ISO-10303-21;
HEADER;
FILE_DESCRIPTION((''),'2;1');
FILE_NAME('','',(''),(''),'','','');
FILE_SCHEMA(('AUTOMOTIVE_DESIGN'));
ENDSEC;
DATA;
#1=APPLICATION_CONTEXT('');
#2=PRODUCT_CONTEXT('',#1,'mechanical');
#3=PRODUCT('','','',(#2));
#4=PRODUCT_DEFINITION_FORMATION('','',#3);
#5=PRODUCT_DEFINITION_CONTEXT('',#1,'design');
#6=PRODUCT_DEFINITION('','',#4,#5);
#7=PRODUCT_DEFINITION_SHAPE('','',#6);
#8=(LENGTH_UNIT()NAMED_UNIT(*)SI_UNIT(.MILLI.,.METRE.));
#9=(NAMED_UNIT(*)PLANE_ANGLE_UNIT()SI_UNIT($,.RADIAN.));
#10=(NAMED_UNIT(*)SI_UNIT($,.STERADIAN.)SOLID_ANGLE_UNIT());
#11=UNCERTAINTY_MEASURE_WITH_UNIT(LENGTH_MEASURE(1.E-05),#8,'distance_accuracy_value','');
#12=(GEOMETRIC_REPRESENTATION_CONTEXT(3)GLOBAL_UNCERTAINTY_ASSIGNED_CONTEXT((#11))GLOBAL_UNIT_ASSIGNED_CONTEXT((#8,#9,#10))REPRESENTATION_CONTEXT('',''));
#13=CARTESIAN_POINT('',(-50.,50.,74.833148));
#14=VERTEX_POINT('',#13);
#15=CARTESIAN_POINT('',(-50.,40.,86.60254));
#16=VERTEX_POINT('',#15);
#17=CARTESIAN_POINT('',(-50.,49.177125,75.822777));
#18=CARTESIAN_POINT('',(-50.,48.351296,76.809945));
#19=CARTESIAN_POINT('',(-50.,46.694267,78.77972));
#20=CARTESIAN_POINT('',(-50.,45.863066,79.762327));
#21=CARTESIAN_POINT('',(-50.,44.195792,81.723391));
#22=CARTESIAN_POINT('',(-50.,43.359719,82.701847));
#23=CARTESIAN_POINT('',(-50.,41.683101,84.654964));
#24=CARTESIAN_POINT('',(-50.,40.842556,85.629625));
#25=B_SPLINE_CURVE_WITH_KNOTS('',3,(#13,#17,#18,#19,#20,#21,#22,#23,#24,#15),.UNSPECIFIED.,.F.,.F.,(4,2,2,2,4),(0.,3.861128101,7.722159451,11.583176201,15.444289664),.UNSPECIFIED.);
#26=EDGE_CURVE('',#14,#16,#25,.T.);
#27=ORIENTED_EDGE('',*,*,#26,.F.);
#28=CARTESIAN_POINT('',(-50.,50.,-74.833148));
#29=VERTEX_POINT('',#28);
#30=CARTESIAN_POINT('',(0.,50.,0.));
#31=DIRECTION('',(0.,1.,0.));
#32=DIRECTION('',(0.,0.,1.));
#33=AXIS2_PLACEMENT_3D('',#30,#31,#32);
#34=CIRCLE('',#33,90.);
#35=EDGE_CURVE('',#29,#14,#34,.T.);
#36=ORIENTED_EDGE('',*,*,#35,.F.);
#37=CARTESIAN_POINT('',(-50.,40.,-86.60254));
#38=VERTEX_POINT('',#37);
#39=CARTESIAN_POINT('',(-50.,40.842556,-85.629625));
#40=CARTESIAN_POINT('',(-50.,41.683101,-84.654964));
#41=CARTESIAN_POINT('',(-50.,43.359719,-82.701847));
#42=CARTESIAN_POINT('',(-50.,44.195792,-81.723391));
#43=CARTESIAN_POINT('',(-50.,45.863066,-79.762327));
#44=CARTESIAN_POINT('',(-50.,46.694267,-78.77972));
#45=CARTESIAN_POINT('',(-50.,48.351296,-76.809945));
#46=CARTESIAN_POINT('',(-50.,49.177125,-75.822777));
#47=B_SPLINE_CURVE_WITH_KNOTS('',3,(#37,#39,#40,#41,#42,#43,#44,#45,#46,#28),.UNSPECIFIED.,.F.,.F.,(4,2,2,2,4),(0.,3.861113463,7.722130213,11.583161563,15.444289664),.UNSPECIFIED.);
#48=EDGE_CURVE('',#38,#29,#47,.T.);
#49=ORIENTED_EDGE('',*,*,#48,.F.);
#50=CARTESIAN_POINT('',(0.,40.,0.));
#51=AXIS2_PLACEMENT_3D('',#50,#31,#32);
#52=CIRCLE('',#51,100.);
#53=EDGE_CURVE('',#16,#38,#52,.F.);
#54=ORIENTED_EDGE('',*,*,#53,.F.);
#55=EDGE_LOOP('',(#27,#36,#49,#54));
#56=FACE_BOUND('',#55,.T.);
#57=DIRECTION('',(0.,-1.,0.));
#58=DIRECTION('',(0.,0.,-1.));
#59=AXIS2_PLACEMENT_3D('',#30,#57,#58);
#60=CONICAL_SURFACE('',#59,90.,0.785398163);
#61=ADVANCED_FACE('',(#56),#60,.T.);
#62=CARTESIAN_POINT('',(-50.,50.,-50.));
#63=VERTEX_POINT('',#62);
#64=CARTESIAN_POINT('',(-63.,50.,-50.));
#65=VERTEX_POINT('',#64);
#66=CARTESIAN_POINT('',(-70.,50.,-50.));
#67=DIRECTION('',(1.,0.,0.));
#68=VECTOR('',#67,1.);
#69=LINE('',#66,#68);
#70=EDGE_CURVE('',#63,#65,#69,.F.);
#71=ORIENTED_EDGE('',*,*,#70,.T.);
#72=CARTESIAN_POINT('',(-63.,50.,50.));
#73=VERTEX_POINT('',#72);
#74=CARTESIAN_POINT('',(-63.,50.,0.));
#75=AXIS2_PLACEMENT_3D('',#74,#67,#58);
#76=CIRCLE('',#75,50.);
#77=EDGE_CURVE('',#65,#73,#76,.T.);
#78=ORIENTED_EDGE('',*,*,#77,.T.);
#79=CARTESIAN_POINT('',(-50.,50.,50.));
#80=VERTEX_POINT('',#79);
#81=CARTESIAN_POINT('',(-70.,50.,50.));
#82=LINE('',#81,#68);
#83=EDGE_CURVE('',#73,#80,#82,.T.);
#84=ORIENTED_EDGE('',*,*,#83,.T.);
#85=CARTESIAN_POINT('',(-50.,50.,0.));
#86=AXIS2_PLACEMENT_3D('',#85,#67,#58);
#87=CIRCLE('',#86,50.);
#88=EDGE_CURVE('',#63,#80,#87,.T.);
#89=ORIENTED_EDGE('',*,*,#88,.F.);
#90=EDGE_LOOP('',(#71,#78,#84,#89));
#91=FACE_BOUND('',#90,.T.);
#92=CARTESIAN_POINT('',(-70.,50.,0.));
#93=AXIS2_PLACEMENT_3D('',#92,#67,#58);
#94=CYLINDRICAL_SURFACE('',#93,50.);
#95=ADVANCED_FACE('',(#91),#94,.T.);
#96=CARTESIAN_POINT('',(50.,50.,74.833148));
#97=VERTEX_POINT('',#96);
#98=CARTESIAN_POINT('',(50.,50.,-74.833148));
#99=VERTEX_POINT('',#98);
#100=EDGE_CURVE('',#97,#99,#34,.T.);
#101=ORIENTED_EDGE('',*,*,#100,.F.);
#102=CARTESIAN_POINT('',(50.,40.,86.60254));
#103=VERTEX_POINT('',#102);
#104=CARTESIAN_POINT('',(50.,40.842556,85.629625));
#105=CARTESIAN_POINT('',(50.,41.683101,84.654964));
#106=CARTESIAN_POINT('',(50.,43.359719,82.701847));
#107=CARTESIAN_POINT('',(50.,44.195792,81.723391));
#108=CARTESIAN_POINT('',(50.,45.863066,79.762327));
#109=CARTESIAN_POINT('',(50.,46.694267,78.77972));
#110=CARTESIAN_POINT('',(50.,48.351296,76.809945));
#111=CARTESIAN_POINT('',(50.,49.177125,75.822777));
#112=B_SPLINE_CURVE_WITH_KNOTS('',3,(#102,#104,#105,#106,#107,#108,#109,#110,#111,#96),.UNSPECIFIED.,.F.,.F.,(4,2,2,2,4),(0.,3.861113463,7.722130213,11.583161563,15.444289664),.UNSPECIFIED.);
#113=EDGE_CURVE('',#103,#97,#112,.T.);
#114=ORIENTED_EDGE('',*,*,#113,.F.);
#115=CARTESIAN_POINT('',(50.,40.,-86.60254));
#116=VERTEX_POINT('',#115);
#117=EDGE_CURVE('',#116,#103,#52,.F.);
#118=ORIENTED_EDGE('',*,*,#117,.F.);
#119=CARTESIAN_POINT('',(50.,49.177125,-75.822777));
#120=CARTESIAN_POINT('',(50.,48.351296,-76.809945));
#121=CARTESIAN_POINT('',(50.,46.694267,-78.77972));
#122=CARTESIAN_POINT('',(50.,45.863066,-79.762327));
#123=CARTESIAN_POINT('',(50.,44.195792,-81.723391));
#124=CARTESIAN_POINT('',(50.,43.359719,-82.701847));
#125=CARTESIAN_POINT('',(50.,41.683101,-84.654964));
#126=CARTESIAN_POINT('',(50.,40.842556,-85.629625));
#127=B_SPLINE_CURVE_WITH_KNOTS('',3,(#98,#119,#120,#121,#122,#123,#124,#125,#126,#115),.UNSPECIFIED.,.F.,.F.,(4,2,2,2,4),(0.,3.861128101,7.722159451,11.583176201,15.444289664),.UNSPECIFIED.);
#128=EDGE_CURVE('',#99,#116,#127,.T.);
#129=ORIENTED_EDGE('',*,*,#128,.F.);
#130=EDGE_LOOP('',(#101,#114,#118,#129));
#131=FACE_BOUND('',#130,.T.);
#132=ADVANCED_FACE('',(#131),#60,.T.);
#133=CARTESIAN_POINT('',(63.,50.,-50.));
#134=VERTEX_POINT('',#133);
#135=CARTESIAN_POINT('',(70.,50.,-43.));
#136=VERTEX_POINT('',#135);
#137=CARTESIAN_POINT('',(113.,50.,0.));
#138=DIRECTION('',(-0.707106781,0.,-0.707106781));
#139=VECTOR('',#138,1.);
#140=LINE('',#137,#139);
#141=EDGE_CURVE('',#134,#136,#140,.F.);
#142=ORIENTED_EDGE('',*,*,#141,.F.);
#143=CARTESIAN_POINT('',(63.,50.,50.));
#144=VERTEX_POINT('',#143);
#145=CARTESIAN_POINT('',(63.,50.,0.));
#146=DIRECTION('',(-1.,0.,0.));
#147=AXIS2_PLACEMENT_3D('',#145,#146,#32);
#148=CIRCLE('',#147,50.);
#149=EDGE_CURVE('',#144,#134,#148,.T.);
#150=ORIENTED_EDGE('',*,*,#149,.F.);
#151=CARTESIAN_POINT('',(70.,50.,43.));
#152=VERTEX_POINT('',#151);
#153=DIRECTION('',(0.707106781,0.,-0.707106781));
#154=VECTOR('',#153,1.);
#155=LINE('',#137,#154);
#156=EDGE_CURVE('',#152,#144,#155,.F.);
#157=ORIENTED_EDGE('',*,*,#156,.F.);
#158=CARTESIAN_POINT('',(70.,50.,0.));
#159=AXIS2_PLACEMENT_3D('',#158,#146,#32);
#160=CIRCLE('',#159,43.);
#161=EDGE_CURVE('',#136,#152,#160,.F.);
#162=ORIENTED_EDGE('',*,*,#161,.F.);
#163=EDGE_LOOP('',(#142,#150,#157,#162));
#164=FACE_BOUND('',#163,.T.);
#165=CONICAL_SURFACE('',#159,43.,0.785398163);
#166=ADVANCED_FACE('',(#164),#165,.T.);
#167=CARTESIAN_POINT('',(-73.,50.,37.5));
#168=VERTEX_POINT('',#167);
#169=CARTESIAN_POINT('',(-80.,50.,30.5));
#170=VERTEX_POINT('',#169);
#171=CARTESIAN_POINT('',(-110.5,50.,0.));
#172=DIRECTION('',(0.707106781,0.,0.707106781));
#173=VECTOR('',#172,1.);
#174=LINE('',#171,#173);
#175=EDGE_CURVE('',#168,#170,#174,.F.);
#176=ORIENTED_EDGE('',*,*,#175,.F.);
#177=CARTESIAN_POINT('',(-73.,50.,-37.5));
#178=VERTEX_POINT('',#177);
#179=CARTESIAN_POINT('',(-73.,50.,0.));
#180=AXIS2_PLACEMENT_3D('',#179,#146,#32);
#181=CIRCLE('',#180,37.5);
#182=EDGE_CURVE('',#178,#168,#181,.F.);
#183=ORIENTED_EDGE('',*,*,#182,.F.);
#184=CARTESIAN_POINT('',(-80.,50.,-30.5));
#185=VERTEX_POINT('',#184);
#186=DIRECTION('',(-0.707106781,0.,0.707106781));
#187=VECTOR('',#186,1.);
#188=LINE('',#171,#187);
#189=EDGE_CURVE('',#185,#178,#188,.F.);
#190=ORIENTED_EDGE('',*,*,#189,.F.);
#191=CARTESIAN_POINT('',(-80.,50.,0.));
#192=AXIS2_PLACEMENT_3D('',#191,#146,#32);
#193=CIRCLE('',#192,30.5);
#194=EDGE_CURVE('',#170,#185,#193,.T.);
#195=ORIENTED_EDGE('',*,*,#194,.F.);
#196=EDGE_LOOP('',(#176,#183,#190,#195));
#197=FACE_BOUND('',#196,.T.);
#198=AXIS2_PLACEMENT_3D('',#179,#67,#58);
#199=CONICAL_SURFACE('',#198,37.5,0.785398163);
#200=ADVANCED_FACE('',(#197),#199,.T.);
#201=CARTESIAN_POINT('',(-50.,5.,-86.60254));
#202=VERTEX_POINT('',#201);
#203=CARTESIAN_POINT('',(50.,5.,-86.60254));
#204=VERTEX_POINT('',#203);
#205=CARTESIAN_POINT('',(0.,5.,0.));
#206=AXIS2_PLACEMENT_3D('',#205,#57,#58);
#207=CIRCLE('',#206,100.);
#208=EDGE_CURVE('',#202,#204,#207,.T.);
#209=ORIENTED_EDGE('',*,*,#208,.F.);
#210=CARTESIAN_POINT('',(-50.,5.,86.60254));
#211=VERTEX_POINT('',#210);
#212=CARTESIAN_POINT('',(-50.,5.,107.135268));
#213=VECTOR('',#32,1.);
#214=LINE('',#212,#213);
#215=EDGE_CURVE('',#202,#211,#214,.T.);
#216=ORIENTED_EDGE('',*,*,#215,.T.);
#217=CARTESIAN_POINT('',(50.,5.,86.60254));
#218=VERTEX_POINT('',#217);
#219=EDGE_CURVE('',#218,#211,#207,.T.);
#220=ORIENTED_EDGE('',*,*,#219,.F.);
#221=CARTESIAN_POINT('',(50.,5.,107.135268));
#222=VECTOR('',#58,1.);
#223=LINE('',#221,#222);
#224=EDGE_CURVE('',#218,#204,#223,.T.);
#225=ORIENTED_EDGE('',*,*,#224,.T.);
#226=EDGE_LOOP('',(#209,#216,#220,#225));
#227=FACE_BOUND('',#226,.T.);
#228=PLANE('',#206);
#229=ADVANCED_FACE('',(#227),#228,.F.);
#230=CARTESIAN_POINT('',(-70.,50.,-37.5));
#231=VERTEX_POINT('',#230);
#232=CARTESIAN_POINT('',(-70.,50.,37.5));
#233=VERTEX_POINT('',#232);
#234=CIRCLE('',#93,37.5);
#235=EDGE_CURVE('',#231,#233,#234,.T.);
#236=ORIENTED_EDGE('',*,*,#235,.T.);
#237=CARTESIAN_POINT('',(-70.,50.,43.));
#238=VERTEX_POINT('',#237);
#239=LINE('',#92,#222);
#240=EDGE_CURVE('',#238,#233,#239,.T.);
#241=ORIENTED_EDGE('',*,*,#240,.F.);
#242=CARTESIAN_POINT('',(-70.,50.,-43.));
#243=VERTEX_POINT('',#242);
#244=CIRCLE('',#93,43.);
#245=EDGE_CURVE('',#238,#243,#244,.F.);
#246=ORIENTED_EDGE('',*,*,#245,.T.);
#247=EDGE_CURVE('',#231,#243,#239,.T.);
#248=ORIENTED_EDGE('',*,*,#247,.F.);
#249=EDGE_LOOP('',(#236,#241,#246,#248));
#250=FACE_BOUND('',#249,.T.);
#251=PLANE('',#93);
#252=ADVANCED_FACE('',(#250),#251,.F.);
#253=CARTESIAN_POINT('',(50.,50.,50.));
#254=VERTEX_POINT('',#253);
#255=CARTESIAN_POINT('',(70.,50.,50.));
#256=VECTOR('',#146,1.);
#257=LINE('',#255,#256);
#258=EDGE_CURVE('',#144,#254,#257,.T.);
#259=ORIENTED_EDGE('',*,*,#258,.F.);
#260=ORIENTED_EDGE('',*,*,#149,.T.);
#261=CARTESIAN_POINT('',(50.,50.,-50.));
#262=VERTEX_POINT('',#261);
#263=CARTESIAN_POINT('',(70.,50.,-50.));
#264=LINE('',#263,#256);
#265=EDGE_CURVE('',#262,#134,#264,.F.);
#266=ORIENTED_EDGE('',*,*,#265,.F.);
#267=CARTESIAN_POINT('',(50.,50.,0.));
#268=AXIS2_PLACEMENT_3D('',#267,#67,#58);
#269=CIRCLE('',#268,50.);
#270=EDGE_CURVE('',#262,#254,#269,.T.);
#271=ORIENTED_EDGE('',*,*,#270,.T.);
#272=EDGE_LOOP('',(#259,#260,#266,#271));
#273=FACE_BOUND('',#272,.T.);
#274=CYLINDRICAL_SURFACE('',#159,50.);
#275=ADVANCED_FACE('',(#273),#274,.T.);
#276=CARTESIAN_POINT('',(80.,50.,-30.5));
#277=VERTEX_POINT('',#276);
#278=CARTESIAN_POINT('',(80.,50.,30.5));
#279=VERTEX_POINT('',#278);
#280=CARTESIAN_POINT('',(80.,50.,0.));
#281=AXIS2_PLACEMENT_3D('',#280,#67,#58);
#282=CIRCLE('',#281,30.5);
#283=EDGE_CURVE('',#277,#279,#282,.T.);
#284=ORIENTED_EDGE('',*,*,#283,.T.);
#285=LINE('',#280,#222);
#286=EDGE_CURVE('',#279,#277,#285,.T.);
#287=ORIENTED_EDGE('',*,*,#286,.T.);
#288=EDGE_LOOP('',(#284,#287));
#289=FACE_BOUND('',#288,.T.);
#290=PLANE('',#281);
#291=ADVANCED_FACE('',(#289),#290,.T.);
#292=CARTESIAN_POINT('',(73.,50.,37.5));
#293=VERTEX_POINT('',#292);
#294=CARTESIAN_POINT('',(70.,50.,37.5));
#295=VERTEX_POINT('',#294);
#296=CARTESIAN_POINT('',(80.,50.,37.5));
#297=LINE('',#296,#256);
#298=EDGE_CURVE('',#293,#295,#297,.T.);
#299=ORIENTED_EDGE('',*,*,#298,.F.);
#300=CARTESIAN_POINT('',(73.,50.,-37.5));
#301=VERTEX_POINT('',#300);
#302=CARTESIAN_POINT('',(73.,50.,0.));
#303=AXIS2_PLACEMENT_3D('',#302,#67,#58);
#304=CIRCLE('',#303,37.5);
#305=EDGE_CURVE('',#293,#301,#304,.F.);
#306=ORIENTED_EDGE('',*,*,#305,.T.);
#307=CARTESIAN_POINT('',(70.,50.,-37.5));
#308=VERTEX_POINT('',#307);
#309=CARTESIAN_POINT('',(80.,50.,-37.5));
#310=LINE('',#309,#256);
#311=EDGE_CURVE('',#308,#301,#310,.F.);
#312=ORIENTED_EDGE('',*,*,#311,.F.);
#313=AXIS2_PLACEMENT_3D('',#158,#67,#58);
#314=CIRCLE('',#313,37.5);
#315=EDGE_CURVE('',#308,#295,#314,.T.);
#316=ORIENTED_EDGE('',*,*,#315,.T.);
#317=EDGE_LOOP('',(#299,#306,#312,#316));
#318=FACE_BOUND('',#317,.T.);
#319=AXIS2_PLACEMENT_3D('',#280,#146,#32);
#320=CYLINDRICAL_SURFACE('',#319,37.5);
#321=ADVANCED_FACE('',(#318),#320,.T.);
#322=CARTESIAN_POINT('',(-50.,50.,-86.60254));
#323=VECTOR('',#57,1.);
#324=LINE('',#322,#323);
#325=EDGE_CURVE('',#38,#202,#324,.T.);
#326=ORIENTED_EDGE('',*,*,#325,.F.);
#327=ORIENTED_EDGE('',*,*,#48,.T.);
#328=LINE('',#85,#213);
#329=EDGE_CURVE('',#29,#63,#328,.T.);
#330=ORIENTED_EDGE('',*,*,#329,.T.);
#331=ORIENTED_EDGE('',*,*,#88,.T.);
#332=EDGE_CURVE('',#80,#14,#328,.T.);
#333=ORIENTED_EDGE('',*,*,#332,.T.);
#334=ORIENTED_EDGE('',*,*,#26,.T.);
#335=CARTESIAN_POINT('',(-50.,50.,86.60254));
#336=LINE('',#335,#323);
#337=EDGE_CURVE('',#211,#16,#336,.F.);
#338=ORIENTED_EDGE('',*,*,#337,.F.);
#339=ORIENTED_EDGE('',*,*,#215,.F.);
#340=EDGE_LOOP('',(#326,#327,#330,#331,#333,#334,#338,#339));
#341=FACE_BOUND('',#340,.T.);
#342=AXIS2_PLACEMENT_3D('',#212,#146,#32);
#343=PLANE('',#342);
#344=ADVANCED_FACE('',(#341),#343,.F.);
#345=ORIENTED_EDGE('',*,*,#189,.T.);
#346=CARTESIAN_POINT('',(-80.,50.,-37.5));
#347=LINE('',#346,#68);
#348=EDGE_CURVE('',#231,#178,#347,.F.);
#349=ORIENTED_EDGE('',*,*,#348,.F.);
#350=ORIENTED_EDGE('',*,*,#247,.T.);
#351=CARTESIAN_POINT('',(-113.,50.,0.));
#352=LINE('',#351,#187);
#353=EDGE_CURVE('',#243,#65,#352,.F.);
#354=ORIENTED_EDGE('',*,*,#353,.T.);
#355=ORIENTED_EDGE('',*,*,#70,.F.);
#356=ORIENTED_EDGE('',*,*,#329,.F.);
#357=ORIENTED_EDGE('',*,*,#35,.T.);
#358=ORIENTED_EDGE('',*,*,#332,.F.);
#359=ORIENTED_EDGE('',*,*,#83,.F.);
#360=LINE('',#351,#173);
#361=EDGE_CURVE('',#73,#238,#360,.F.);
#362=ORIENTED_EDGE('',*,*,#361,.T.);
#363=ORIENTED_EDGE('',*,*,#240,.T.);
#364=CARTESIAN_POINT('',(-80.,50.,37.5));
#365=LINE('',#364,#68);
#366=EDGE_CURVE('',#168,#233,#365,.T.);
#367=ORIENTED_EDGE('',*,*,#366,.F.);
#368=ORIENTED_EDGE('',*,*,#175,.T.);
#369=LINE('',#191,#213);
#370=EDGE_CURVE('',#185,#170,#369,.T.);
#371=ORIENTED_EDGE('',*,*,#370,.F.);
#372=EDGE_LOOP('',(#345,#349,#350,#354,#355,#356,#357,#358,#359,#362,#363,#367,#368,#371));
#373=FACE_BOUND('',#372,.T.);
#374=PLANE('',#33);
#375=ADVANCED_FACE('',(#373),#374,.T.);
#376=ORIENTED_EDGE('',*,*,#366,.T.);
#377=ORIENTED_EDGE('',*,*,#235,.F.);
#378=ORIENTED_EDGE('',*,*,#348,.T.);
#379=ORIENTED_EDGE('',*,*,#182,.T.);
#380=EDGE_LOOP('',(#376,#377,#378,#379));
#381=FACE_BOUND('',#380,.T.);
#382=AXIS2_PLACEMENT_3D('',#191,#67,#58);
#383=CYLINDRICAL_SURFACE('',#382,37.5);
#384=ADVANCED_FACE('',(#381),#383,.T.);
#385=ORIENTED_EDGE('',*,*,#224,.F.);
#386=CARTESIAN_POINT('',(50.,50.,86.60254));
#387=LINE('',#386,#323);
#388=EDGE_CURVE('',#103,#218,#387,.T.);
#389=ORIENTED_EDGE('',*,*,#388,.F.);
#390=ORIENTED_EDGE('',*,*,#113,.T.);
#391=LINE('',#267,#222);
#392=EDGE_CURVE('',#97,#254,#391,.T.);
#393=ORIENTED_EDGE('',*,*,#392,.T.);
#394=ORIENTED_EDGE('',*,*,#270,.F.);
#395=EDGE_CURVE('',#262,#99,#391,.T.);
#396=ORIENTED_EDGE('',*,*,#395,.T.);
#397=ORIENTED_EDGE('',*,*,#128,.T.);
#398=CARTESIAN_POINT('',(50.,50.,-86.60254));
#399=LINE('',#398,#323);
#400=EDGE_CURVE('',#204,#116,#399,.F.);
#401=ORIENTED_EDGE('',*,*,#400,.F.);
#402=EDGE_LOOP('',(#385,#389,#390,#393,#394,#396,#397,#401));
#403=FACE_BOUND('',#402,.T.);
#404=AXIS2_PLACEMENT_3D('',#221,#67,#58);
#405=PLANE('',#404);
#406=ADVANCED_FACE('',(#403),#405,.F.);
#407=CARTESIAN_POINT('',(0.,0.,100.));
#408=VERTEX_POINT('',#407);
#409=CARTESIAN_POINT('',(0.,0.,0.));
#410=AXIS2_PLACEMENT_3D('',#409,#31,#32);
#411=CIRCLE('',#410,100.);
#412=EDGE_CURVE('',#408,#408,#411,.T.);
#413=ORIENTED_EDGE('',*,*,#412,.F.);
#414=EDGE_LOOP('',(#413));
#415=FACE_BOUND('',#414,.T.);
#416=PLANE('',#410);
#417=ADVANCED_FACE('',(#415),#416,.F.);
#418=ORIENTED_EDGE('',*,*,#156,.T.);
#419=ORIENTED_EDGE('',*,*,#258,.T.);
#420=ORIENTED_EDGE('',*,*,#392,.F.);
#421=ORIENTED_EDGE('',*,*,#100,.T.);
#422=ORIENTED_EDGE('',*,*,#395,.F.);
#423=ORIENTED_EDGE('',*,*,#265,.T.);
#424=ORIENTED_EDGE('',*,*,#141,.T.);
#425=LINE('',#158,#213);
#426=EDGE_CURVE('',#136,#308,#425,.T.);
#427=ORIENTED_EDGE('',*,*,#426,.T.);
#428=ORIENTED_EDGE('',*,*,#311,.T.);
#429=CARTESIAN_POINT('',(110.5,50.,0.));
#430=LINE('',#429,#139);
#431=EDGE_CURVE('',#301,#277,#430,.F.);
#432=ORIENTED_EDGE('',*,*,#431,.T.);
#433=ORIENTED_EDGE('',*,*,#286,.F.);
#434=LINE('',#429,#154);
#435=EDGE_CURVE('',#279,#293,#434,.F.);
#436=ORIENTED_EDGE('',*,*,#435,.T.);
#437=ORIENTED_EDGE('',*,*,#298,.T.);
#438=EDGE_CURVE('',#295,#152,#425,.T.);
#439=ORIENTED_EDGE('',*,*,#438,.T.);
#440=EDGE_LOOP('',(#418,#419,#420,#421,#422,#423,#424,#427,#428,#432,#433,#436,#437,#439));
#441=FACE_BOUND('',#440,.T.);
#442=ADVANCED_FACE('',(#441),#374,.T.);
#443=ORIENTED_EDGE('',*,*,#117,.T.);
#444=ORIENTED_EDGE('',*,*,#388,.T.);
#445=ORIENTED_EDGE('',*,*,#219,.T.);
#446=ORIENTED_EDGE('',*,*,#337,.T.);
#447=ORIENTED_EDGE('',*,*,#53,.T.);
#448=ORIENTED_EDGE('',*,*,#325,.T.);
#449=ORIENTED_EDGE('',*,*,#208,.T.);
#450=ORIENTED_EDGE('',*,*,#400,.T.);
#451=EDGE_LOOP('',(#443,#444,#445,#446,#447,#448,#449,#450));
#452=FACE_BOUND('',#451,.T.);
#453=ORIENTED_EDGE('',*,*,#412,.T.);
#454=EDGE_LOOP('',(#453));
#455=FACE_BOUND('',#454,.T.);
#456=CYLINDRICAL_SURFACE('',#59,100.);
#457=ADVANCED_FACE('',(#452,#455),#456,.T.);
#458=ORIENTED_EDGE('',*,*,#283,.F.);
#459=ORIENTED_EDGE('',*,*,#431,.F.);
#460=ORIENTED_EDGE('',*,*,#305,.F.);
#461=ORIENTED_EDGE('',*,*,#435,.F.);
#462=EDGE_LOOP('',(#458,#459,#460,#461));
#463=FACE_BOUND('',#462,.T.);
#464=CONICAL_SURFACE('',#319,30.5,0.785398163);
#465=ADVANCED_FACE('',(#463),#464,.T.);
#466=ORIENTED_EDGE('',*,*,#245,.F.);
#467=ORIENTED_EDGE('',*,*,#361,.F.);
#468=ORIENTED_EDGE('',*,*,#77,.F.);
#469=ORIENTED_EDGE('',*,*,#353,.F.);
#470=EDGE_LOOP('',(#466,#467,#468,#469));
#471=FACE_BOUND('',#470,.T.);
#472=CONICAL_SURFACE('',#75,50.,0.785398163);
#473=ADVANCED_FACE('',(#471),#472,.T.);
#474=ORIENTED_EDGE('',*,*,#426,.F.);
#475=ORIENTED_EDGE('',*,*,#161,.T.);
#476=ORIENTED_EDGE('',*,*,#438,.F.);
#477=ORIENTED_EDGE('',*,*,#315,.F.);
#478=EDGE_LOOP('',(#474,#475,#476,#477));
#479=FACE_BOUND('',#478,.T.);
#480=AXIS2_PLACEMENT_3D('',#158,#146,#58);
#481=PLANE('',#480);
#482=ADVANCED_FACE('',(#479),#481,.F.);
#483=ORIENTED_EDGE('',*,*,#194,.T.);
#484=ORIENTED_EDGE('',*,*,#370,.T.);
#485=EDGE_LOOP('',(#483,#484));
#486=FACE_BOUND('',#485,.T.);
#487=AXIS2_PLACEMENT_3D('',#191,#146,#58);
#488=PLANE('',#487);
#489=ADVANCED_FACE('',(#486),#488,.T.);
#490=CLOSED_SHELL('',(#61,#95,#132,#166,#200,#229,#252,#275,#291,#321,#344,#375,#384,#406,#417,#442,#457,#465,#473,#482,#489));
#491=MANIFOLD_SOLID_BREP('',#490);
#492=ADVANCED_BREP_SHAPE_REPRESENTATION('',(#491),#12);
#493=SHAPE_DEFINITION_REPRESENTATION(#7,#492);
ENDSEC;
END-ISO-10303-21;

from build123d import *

# Parameters (mm, degrees)
SKETCH1_R           = 100
BOSS_EXTRUDE1_DEPTH = 50
SKETCH2_W           = 100
SKETCH2_H           = 214.27053556
CUT_EXTRUDE1_DEPTH  = 45
SKETCH3_R           = 50
BOSS_EXTRUDE2_DEPTH = 20
SKETCH4_R           = 37.5
BOSS_EXTRUDE3_DEPTH = 10
CHAMFER1_SIZE       = 10
CHAMFER2_SIZE       = 7


with BuildPart() as part:
    # Sketch1 → Boss-Extrude1 (new body)
    with BuildSketch(Plane(origin=(0, 0, 0), x_dir=(1, 0, 0), z_dir=(0, 1, 0))):
        with Locations(Location((0, 0, 0), (0, 0, 270))):
            Circle(SKETCH1_R)
    extrude(amount=BOSS_EXTRUDE1_DEPTH)

    # Sketch2 → Cut-Extrude1 (cut)
    with BuildSketch(Plane(origin=(0, 50, 0), x_dir=(1, 0, 0), z_dir=(0, 1, 0))):
        Rectangle(SKETCH2_W, SKETCH2_H)
    extrude(amount=-CUT_EXTRUDE1_DEPTH, mode=Mode.SUBTRACT)

    # Sketch3 → Boss-Extrude2 (add)
    with BuildSketch(Plane(origin=(-50, 0, 0), x_dir=(0, 0, -1), z_dir=(1, 0, 0))):
        with Locations((0, 50)):
            Circle(SKETCH3_R)
    boss_extrude2 = extrude(amount=-BOSS_EXTRUDE2_DEPTH)

    # Mirror1: Boss-Extrude2 across plane
    add(boss_extrude2.mirror(Plane(origin=(0, 0, 0), x_dir=(0, 0, 1), z_dir=(1, 0, 0))))

    # Sketch4 → Boss-Extrude3 (add)
    with BuildSketch(Plane(origin=(70, 0, 0), x_dir=(0, 0, -1), z_dir=(1, 0, 0))):
        with Locations((0, 50)):
            Circle(SKETCH4_R)
    boss_extrude3 = extrude(amount=BOSS_EXTRUDE3_DEPTH)

    # Mirror2: Boss-Extrude3 across plane
    add(boss_extrude3.mirror(Plane(origin=(0, 0, 0), x_dir=(0, 0, 1), z_dir=(1, 0, 0))))

    # Chamfer1
    chamfer1_edges = [part.edges().sort_by_distance(p)[0] for p in [
        (100, 50, 0),
        (-100, 50, 0),
    ]]
    chamfer(chamfer1_edges, length=CHAMFER1_SIZE)

    # Chamfer2
    chamfer2_edges = [part.edges().sort_by_distance(p)[0] for p in [
        (-70, 100, 0),
        (70, 100, 0),
        (80, 87.5, 0),
        (-80, 87.5, 0),
    ]]
    chamfer(chamfer2_edges, length=CHAMFER2_SIZE)


solid = part.part
